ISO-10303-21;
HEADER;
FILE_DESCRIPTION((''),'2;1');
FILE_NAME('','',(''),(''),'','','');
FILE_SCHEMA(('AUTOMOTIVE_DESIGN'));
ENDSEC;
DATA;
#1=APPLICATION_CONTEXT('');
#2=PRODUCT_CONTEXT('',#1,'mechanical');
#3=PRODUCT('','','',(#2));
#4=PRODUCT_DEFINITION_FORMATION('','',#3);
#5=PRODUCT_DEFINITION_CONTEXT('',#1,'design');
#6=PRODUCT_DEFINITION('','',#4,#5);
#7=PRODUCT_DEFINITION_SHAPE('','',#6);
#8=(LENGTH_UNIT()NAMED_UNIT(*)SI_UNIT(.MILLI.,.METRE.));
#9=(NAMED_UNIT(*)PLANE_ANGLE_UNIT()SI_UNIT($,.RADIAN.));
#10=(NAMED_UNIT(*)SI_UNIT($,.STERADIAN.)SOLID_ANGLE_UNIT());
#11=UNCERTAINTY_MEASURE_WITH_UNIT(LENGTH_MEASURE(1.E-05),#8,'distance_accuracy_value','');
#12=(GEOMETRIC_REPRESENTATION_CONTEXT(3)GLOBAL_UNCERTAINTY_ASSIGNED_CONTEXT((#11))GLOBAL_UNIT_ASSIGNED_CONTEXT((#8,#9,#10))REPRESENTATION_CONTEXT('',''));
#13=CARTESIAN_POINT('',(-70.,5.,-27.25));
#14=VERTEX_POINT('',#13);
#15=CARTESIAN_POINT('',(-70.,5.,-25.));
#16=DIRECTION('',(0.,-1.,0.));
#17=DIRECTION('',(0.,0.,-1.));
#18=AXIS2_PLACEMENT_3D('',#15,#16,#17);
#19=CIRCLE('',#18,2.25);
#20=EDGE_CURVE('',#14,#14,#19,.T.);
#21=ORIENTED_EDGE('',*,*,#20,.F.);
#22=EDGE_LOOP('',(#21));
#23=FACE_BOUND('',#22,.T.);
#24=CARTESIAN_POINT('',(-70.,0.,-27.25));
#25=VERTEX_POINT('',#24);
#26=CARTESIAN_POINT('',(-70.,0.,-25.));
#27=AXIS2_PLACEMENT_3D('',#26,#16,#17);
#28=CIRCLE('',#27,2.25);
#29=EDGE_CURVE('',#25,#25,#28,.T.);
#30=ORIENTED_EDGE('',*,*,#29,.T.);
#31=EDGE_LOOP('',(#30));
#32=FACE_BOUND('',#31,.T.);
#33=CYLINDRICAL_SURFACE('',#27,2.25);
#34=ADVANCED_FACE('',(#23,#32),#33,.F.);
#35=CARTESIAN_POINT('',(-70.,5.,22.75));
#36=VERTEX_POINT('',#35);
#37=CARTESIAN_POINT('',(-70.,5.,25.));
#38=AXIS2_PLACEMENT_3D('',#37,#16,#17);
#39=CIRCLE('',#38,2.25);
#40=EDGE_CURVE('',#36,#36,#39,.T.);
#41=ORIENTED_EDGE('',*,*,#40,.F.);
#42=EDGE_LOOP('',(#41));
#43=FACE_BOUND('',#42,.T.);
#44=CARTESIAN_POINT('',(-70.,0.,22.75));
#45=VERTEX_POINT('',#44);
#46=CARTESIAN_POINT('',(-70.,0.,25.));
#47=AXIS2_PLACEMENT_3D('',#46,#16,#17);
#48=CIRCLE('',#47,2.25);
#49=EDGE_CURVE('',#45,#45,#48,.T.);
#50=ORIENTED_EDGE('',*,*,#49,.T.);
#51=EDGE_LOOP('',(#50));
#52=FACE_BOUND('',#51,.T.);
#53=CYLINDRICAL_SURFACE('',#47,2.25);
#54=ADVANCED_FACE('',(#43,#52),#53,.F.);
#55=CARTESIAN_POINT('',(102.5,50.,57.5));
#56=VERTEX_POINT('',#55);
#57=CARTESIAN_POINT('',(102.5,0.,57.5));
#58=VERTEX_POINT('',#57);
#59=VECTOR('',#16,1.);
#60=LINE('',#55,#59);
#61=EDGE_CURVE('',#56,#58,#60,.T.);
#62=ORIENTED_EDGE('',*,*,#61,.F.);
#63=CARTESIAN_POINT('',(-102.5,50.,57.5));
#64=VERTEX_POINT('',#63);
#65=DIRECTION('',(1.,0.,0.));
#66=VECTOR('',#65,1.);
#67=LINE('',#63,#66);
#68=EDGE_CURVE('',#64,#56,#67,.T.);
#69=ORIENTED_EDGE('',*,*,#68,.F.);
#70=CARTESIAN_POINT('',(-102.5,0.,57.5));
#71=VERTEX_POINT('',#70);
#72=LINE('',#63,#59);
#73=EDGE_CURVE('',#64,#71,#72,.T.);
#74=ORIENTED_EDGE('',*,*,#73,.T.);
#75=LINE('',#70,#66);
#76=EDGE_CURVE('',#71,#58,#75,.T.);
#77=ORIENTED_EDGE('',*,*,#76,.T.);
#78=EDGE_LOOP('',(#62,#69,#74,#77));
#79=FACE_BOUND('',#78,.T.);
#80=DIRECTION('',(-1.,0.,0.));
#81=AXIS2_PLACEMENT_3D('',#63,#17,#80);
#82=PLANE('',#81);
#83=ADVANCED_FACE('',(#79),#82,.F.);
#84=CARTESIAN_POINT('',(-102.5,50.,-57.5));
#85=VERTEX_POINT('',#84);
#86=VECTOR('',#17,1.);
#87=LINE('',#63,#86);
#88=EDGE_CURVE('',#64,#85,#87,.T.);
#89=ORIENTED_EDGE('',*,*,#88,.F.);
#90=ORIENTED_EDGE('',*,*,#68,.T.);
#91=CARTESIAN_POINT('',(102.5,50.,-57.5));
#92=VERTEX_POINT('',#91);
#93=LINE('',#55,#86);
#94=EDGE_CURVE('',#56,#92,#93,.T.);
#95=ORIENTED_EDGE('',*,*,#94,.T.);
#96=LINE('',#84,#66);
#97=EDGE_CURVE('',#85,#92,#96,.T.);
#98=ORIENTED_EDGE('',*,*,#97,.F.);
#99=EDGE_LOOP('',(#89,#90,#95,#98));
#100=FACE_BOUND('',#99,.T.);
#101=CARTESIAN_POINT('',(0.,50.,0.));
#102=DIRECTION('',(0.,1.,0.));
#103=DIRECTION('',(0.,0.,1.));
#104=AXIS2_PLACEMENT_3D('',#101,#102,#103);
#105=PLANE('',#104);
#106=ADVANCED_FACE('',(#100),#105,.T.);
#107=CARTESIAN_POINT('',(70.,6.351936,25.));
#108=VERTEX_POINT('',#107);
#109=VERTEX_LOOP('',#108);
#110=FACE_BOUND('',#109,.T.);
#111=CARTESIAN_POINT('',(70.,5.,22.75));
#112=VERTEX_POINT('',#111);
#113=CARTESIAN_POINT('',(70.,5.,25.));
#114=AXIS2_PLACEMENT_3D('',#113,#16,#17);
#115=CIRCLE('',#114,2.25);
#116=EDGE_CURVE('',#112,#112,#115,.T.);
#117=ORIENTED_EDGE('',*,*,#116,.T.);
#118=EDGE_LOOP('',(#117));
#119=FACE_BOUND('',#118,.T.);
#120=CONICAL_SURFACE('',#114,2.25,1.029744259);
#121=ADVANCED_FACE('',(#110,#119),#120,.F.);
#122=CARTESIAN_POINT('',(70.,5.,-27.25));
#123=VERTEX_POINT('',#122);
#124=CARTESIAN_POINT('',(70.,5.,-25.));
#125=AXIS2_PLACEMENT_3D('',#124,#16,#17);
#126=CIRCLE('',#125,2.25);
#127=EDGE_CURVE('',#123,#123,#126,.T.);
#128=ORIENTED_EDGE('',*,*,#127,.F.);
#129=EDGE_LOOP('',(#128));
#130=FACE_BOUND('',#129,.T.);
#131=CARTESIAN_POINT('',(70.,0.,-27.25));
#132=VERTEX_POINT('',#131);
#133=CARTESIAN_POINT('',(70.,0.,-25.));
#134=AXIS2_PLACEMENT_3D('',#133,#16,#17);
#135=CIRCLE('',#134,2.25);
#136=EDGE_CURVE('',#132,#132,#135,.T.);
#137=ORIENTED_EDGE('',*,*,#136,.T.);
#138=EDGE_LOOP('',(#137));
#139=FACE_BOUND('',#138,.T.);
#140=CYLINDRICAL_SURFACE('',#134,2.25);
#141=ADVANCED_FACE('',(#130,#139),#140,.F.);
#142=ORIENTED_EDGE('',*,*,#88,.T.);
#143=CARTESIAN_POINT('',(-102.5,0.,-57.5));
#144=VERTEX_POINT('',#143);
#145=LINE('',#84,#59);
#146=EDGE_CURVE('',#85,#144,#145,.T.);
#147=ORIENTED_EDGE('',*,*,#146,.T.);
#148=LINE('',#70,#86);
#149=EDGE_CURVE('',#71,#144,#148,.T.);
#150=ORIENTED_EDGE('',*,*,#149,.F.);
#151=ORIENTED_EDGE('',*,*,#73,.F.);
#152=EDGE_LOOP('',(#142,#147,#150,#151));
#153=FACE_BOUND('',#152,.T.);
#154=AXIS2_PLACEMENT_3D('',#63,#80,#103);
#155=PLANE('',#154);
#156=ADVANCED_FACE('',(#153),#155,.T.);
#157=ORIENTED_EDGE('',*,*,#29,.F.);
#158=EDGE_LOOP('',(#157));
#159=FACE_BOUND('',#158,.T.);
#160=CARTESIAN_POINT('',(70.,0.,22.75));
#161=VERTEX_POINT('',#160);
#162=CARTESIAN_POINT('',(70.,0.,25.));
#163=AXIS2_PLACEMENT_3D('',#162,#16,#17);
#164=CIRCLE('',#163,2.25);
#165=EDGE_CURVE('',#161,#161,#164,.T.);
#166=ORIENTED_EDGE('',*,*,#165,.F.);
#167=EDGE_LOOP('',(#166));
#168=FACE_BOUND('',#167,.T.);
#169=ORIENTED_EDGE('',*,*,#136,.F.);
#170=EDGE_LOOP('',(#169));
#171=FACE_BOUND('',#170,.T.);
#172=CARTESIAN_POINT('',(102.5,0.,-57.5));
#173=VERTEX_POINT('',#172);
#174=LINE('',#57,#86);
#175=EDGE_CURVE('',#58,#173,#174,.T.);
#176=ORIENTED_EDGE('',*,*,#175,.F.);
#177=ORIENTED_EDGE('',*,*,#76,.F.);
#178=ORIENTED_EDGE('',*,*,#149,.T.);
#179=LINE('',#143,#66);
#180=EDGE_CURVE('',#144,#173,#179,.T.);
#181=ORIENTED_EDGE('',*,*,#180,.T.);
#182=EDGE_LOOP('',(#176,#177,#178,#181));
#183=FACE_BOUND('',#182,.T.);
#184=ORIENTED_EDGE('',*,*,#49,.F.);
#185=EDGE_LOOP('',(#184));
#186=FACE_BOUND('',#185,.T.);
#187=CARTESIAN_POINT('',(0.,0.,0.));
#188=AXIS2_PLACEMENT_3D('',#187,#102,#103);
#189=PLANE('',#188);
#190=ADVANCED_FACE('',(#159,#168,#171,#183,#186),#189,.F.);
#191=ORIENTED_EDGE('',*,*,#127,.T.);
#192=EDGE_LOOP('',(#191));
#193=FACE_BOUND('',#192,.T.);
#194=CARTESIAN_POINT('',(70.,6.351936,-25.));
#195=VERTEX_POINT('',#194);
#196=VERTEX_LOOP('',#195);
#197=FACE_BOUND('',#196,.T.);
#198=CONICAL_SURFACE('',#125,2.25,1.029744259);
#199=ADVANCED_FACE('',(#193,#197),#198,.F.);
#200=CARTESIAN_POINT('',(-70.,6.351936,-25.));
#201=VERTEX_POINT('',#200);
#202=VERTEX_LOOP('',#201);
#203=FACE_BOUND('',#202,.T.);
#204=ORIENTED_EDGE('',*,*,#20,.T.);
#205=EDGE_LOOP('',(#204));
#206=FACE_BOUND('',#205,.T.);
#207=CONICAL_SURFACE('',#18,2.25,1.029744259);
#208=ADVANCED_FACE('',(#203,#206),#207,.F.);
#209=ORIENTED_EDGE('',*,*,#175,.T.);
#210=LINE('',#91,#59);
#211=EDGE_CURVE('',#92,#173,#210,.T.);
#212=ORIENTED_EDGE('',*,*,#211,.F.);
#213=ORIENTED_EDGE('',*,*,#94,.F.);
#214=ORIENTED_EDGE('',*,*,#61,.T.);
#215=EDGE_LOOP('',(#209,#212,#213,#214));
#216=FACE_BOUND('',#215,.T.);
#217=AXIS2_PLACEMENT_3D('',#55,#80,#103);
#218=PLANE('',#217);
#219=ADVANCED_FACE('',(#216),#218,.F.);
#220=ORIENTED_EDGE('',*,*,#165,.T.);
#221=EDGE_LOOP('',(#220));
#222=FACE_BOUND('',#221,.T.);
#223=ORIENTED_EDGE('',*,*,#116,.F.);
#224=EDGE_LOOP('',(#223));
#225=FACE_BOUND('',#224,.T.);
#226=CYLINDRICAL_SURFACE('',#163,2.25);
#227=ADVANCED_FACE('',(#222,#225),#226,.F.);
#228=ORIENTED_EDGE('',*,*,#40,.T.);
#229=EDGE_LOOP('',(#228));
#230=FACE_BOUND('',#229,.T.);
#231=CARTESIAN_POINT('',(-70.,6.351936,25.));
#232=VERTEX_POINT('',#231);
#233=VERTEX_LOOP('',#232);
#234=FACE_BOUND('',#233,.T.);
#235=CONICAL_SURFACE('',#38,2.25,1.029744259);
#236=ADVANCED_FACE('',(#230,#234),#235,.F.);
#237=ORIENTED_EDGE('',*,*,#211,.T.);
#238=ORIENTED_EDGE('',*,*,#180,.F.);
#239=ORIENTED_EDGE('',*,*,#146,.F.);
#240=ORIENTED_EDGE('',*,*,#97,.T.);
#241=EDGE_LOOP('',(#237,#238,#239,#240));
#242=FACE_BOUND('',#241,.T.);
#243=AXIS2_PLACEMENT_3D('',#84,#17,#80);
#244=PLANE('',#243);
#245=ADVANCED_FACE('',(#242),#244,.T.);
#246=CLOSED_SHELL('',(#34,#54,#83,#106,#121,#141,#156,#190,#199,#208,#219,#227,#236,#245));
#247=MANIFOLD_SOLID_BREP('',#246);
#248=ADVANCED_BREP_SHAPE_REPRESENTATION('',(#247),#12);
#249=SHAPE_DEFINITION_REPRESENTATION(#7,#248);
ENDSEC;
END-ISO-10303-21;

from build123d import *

# Parameters (mm, degrees)
SKETCH1_W                = 205
SKETCH1_H                = 115
BOSS_EXTRUDE1_DEPTH      = 50
M4_CLEARANCE_HOLE1_D     = 4.5
M4_CLEARANCE_HOLE1_DEPTH = 5
M4_CLEARANCE_HOLE1_TIP   = 1.351936393


with BuildPart() as part:
    # Sketch1 → Boss-Extrude1 (new body)
    with BuildSketch(Plane(origin=(0, 0, 0), x_dir=(1, 0, 0), z_dir=(0, 1, 0))):
        Rectangle(SKETCH1_W, SKETCH1_H)
    extrude(amount=BOSS_EXTRUDE1_DEPTH)

    # M4 Clearance Hole1
    with Locations(Plane(origin=(0, 0, 0), x_dir=(-1, 0, 0), z_dir=(0, -1, 0))):
        with Locations((70, -25), (-70, -25), (-70, 25), (70, 25)):
            Hole(M4_CLEARANCE_HOLE1_D / 2, depth=M4_CLEARANCE_HOLE1_DEPTH)
            with Locations((0, 0, -(M4_CLEARANCE_HOLE1_DEPTH + M4_CLEARANCE_HOLE1_TIP / 2))):  # 118° drill point
                Cone(0, M4_CLEARANCE_HOLE1_D / 2, M4_CLEARANCE_HOLE1_TIP, mode=Mode.SUBTRACT)


solid = part.part
